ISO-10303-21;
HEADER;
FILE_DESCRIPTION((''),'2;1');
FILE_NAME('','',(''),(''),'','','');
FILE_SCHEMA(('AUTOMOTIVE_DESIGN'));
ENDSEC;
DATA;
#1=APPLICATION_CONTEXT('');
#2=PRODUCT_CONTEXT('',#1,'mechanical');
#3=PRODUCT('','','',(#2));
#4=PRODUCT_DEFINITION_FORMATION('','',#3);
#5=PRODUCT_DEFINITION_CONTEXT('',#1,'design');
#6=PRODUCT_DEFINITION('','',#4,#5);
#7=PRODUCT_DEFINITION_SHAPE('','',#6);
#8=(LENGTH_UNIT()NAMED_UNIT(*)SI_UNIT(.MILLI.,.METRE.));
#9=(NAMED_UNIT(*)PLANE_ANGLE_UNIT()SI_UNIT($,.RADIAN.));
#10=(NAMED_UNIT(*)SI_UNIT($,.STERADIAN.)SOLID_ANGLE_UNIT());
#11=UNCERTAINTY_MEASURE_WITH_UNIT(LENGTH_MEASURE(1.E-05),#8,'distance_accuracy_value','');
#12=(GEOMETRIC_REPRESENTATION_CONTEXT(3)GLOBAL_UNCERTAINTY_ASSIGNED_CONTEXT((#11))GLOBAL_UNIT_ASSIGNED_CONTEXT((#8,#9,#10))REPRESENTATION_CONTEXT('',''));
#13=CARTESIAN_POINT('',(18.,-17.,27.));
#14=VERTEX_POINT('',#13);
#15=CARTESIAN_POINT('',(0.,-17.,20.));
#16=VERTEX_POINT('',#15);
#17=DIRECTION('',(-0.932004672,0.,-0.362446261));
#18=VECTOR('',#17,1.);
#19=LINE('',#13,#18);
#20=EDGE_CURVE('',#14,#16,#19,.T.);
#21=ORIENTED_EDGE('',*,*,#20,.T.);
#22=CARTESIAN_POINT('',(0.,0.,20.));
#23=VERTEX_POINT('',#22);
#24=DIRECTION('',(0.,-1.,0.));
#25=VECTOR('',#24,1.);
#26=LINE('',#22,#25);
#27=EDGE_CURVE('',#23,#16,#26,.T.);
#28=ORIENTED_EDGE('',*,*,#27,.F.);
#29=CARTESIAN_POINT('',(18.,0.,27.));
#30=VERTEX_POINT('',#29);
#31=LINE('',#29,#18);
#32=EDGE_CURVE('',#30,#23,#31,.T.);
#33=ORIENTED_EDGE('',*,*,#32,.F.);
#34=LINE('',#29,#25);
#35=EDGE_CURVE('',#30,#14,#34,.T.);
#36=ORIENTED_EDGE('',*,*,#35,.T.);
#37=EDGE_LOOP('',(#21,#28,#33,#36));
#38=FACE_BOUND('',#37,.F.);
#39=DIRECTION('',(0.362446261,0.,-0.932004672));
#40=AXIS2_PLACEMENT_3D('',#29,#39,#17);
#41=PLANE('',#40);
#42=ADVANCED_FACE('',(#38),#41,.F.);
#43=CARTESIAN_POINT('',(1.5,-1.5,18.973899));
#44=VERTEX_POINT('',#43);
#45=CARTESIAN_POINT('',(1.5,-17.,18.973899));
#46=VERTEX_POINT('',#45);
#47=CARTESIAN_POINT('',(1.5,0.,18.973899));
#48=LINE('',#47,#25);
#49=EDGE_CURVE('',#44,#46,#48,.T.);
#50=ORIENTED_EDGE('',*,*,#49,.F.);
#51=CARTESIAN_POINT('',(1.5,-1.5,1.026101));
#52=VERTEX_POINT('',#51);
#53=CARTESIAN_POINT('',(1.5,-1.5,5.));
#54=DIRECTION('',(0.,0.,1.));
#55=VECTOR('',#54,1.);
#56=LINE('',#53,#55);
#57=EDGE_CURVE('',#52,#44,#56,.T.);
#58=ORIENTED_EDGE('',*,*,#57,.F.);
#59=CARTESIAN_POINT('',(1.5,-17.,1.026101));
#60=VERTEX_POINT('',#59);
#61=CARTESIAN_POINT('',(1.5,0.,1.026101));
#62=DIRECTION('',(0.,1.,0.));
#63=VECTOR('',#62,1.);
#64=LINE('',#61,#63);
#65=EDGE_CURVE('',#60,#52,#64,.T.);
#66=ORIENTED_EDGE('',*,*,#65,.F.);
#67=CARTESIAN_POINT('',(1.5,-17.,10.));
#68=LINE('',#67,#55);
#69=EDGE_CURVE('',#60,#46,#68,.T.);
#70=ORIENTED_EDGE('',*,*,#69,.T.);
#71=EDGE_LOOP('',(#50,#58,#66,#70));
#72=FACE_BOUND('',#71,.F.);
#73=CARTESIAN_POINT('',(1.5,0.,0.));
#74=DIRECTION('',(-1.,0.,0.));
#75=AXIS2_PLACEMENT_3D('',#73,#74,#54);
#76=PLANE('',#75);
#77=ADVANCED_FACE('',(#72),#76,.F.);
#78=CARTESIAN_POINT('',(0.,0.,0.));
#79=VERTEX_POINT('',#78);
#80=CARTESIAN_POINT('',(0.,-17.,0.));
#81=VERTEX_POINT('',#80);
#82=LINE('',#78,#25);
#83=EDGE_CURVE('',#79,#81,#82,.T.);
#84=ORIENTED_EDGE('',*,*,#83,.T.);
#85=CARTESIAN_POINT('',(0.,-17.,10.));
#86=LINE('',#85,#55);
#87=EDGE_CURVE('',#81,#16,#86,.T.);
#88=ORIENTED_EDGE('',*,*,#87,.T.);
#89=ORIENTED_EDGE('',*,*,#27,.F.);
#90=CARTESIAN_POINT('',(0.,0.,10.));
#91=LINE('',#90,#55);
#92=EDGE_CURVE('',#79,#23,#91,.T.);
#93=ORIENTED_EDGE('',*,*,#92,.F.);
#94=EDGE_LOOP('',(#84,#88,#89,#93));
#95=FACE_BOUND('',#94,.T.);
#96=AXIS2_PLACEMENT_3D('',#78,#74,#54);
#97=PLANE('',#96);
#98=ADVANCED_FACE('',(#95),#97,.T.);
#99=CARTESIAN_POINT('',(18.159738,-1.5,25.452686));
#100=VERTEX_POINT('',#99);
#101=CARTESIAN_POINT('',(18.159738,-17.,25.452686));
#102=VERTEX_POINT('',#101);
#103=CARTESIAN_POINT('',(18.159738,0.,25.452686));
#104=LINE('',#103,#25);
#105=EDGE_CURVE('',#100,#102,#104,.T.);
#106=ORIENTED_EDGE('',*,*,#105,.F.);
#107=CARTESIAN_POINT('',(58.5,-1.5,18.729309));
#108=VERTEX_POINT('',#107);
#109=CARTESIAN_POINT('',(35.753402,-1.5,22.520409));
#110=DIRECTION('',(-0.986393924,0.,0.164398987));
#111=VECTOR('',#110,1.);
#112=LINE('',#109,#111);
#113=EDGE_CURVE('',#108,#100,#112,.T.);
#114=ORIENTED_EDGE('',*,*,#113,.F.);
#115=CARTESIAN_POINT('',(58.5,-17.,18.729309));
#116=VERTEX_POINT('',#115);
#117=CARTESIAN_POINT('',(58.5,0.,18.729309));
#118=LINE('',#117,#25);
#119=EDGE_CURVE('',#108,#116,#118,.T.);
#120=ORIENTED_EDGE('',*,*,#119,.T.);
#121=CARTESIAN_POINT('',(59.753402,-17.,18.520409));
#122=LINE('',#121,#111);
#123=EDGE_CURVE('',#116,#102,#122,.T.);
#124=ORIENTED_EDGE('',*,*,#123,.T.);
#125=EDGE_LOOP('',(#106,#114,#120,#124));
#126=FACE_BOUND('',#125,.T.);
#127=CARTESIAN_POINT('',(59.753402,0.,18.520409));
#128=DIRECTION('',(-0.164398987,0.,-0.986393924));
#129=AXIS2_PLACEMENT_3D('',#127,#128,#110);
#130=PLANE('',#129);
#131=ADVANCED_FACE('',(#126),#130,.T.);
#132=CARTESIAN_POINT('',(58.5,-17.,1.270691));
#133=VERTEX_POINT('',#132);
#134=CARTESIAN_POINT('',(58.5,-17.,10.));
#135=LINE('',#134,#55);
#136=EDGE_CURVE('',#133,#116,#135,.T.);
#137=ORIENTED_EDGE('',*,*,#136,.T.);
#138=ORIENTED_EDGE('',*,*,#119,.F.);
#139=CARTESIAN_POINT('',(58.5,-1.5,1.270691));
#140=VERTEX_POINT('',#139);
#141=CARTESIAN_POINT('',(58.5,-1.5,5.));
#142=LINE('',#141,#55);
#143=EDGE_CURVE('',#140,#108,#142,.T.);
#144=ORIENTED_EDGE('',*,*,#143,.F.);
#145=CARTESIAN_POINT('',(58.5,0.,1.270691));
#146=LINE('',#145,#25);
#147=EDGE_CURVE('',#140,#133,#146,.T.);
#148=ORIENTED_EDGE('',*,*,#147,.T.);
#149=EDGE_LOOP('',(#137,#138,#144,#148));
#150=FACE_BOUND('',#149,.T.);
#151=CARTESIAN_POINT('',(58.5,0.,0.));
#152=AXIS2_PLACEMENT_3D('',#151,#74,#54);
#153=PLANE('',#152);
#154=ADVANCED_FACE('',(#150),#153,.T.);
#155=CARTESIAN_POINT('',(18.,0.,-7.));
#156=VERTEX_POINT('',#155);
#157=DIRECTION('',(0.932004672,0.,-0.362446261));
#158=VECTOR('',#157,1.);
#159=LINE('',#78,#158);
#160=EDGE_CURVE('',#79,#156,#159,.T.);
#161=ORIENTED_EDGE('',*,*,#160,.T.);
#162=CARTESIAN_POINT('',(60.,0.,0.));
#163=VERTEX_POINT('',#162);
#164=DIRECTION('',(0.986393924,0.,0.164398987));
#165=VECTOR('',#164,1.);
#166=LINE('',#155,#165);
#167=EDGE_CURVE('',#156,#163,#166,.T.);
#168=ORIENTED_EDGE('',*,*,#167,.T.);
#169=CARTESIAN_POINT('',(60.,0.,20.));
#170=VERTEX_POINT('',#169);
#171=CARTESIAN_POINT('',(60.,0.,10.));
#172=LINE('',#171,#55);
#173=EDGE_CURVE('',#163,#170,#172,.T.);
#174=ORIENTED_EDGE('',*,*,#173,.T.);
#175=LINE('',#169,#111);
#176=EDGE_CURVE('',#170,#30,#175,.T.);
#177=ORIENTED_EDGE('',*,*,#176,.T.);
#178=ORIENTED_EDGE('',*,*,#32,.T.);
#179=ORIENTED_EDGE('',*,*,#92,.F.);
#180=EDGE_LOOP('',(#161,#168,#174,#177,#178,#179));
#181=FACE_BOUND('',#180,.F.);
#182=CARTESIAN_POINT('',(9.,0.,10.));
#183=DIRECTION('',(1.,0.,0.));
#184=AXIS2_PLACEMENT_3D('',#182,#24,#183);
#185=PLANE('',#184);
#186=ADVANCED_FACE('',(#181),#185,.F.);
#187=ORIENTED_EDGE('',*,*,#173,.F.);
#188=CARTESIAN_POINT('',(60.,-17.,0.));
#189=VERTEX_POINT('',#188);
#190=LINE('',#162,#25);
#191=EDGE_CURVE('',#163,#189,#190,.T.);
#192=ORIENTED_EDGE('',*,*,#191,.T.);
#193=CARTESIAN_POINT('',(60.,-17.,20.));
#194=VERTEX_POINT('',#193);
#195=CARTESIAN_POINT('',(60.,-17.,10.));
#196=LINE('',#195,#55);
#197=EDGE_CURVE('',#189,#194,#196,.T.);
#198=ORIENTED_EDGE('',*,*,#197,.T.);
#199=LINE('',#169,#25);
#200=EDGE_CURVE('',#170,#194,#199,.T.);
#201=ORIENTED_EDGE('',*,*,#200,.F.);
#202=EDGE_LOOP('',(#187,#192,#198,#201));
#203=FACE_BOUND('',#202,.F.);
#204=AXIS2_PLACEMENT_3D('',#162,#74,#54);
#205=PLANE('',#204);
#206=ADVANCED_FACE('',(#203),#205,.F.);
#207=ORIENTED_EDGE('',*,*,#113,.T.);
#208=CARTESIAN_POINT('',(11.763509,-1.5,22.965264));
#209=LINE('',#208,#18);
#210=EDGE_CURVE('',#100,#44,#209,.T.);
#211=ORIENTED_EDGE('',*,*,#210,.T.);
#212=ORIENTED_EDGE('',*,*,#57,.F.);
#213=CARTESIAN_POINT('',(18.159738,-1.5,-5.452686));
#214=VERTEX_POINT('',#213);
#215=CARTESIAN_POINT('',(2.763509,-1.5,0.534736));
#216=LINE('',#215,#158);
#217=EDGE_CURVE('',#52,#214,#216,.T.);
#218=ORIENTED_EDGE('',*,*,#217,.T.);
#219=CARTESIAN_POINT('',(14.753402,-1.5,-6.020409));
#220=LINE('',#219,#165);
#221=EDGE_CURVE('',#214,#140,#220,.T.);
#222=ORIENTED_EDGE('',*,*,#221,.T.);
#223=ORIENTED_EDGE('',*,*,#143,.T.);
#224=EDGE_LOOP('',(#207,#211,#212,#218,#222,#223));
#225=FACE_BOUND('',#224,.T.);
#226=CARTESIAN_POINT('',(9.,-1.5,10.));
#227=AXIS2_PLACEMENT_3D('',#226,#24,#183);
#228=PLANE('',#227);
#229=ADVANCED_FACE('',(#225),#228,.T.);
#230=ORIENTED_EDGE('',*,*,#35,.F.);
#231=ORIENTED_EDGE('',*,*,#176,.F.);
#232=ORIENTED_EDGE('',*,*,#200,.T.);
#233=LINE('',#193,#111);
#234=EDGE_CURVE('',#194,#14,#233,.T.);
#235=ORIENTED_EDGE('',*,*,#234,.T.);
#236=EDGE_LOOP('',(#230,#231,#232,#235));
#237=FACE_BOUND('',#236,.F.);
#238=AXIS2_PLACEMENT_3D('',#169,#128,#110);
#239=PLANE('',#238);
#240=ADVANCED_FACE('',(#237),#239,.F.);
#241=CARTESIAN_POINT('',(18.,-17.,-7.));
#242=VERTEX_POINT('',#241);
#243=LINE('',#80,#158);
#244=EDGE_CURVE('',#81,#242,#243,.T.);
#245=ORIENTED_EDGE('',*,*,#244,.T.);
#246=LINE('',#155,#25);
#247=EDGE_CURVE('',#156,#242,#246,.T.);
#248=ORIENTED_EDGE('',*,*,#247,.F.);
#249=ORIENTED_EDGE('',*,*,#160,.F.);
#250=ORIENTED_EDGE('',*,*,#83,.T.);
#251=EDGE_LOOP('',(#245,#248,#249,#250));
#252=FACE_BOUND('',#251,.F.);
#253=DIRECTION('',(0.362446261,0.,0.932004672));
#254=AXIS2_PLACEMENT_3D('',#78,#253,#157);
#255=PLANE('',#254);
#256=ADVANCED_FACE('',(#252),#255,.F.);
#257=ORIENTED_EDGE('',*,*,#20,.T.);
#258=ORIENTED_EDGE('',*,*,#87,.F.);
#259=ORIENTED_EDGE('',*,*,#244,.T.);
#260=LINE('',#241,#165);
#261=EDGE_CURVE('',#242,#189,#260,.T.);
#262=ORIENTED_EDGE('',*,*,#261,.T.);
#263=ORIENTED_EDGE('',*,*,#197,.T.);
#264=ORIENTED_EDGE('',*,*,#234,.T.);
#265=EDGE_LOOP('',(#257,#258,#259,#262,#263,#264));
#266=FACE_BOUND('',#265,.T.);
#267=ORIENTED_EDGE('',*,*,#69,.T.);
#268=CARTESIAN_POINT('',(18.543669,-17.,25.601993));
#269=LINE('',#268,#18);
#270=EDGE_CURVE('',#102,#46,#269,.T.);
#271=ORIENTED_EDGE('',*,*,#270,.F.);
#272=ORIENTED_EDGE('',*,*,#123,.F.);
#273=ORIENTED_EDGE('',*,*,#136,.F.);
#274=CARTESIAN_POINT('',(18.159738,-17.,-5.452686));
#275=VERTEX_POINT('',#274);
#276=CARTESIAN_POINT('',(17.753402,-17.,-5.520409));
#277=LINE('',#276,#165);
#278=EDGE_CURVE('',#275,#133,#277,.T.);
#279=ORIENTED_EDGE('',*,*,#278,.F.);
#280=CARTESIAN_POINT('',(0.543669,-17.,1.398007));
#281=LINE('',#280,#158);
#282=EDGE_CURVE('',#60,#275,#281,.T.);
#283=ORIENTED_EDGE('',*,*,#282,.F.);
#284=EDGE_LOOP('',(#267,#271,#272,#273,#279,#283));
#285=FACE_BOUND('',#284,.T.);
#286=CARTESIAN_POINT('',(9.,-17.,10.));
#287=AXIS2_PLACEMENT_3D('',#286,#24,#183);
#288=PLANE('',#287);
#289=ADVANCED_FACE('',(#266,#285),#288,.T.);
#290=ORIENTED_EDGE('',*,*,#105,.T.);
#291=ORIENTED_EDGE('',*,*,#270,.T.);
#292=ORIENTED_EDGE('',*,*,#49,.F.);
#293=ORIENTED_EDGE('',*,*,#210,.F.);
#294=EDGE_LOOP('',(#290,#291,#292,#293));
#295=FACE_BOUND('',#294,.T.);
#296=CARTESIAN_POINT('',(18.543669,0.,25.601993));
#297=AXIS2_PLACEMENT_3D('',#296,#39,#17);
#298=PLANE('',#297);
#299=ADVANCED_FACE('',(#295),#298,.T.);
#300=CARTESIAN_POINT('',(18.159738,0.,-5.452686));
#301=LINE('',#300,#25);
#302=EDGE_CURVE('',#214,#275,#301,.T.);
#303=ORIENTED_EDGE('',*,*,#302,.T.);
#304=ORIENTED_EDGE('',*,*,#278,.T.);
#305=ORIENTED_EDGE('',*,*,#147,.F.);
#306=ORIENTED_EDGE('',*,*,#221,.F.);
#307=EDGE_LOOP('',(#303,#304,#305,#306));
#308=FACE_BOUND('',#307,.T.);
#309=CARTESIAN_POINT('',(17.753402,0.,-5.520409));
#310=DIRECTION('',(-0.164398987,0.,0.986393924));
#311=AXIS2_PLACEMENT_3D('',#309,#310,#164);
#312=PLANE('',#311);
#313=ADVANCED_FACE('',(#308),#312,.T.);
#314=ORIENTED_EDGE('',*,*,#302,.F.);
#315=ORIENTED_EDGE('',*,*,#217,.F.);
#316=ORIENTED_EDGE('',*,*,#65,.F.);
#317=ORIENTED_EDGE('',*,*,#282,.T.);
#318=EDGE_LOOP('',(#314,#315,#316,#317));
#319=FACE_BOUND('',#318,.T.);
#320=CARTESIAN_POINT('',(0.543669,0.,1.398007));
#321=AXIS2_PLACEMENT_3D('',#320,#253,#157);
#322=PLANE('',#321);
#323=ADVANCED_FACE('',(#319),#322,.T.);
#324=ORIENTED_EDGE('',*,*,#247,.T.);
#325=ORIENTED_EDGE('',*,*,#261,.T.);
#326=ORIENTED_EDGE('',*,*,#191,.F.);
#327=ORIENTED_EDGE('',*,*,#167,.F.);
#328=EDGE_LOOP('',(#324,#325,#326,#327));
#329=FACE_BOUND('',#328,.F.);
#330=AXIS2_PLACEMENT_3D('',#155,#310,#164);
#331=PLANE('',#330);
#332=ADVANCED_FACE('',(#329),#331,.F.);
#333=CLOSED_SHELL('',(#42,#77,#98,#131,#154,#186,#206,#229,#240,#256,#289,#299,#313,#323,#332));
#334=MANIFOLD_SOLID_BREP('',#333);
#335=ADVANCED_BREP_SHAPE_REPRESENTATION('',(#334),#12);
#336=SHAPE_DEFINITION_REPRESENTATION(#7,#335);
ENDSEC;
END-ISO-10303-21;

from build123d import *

# Parameters (mm, degrees)
F0_W     = 18
F0_H     = 20
F0_W_2   = 42
F1_DEPTH = 17
F2_T     = -1.5


with BuildPart() as f1:
    # F0 (on Front) → F1 (new body)
    with BuildSketch(Plane.XZ):
        with Locations((9, 10)):
            Rectangle(F0_W, F0_H)
        Polygon((18, 0), (0, 0), (18, -7), align=None)
        with Locations((39, 10)):
            Rectangle(F0_W_2, F0_H)
        Polygon((60, 0), (18, 0), (18, -7), align=None)
        Polygon((18, 27), (0, 20), (18, 20), align=None)
        Polygon((18, 27), (18, 20), (60, 20), align=None)
    extrude(amount=F1_DEPTH)

    # F2
    f2_openings = [f1.faces().sort_by_distance(p)[0] for p in [
        (28.962963, -17, 10),
    ]]
    offset(amount=F2_T, openings=f2_openings)


solid = f1.part
